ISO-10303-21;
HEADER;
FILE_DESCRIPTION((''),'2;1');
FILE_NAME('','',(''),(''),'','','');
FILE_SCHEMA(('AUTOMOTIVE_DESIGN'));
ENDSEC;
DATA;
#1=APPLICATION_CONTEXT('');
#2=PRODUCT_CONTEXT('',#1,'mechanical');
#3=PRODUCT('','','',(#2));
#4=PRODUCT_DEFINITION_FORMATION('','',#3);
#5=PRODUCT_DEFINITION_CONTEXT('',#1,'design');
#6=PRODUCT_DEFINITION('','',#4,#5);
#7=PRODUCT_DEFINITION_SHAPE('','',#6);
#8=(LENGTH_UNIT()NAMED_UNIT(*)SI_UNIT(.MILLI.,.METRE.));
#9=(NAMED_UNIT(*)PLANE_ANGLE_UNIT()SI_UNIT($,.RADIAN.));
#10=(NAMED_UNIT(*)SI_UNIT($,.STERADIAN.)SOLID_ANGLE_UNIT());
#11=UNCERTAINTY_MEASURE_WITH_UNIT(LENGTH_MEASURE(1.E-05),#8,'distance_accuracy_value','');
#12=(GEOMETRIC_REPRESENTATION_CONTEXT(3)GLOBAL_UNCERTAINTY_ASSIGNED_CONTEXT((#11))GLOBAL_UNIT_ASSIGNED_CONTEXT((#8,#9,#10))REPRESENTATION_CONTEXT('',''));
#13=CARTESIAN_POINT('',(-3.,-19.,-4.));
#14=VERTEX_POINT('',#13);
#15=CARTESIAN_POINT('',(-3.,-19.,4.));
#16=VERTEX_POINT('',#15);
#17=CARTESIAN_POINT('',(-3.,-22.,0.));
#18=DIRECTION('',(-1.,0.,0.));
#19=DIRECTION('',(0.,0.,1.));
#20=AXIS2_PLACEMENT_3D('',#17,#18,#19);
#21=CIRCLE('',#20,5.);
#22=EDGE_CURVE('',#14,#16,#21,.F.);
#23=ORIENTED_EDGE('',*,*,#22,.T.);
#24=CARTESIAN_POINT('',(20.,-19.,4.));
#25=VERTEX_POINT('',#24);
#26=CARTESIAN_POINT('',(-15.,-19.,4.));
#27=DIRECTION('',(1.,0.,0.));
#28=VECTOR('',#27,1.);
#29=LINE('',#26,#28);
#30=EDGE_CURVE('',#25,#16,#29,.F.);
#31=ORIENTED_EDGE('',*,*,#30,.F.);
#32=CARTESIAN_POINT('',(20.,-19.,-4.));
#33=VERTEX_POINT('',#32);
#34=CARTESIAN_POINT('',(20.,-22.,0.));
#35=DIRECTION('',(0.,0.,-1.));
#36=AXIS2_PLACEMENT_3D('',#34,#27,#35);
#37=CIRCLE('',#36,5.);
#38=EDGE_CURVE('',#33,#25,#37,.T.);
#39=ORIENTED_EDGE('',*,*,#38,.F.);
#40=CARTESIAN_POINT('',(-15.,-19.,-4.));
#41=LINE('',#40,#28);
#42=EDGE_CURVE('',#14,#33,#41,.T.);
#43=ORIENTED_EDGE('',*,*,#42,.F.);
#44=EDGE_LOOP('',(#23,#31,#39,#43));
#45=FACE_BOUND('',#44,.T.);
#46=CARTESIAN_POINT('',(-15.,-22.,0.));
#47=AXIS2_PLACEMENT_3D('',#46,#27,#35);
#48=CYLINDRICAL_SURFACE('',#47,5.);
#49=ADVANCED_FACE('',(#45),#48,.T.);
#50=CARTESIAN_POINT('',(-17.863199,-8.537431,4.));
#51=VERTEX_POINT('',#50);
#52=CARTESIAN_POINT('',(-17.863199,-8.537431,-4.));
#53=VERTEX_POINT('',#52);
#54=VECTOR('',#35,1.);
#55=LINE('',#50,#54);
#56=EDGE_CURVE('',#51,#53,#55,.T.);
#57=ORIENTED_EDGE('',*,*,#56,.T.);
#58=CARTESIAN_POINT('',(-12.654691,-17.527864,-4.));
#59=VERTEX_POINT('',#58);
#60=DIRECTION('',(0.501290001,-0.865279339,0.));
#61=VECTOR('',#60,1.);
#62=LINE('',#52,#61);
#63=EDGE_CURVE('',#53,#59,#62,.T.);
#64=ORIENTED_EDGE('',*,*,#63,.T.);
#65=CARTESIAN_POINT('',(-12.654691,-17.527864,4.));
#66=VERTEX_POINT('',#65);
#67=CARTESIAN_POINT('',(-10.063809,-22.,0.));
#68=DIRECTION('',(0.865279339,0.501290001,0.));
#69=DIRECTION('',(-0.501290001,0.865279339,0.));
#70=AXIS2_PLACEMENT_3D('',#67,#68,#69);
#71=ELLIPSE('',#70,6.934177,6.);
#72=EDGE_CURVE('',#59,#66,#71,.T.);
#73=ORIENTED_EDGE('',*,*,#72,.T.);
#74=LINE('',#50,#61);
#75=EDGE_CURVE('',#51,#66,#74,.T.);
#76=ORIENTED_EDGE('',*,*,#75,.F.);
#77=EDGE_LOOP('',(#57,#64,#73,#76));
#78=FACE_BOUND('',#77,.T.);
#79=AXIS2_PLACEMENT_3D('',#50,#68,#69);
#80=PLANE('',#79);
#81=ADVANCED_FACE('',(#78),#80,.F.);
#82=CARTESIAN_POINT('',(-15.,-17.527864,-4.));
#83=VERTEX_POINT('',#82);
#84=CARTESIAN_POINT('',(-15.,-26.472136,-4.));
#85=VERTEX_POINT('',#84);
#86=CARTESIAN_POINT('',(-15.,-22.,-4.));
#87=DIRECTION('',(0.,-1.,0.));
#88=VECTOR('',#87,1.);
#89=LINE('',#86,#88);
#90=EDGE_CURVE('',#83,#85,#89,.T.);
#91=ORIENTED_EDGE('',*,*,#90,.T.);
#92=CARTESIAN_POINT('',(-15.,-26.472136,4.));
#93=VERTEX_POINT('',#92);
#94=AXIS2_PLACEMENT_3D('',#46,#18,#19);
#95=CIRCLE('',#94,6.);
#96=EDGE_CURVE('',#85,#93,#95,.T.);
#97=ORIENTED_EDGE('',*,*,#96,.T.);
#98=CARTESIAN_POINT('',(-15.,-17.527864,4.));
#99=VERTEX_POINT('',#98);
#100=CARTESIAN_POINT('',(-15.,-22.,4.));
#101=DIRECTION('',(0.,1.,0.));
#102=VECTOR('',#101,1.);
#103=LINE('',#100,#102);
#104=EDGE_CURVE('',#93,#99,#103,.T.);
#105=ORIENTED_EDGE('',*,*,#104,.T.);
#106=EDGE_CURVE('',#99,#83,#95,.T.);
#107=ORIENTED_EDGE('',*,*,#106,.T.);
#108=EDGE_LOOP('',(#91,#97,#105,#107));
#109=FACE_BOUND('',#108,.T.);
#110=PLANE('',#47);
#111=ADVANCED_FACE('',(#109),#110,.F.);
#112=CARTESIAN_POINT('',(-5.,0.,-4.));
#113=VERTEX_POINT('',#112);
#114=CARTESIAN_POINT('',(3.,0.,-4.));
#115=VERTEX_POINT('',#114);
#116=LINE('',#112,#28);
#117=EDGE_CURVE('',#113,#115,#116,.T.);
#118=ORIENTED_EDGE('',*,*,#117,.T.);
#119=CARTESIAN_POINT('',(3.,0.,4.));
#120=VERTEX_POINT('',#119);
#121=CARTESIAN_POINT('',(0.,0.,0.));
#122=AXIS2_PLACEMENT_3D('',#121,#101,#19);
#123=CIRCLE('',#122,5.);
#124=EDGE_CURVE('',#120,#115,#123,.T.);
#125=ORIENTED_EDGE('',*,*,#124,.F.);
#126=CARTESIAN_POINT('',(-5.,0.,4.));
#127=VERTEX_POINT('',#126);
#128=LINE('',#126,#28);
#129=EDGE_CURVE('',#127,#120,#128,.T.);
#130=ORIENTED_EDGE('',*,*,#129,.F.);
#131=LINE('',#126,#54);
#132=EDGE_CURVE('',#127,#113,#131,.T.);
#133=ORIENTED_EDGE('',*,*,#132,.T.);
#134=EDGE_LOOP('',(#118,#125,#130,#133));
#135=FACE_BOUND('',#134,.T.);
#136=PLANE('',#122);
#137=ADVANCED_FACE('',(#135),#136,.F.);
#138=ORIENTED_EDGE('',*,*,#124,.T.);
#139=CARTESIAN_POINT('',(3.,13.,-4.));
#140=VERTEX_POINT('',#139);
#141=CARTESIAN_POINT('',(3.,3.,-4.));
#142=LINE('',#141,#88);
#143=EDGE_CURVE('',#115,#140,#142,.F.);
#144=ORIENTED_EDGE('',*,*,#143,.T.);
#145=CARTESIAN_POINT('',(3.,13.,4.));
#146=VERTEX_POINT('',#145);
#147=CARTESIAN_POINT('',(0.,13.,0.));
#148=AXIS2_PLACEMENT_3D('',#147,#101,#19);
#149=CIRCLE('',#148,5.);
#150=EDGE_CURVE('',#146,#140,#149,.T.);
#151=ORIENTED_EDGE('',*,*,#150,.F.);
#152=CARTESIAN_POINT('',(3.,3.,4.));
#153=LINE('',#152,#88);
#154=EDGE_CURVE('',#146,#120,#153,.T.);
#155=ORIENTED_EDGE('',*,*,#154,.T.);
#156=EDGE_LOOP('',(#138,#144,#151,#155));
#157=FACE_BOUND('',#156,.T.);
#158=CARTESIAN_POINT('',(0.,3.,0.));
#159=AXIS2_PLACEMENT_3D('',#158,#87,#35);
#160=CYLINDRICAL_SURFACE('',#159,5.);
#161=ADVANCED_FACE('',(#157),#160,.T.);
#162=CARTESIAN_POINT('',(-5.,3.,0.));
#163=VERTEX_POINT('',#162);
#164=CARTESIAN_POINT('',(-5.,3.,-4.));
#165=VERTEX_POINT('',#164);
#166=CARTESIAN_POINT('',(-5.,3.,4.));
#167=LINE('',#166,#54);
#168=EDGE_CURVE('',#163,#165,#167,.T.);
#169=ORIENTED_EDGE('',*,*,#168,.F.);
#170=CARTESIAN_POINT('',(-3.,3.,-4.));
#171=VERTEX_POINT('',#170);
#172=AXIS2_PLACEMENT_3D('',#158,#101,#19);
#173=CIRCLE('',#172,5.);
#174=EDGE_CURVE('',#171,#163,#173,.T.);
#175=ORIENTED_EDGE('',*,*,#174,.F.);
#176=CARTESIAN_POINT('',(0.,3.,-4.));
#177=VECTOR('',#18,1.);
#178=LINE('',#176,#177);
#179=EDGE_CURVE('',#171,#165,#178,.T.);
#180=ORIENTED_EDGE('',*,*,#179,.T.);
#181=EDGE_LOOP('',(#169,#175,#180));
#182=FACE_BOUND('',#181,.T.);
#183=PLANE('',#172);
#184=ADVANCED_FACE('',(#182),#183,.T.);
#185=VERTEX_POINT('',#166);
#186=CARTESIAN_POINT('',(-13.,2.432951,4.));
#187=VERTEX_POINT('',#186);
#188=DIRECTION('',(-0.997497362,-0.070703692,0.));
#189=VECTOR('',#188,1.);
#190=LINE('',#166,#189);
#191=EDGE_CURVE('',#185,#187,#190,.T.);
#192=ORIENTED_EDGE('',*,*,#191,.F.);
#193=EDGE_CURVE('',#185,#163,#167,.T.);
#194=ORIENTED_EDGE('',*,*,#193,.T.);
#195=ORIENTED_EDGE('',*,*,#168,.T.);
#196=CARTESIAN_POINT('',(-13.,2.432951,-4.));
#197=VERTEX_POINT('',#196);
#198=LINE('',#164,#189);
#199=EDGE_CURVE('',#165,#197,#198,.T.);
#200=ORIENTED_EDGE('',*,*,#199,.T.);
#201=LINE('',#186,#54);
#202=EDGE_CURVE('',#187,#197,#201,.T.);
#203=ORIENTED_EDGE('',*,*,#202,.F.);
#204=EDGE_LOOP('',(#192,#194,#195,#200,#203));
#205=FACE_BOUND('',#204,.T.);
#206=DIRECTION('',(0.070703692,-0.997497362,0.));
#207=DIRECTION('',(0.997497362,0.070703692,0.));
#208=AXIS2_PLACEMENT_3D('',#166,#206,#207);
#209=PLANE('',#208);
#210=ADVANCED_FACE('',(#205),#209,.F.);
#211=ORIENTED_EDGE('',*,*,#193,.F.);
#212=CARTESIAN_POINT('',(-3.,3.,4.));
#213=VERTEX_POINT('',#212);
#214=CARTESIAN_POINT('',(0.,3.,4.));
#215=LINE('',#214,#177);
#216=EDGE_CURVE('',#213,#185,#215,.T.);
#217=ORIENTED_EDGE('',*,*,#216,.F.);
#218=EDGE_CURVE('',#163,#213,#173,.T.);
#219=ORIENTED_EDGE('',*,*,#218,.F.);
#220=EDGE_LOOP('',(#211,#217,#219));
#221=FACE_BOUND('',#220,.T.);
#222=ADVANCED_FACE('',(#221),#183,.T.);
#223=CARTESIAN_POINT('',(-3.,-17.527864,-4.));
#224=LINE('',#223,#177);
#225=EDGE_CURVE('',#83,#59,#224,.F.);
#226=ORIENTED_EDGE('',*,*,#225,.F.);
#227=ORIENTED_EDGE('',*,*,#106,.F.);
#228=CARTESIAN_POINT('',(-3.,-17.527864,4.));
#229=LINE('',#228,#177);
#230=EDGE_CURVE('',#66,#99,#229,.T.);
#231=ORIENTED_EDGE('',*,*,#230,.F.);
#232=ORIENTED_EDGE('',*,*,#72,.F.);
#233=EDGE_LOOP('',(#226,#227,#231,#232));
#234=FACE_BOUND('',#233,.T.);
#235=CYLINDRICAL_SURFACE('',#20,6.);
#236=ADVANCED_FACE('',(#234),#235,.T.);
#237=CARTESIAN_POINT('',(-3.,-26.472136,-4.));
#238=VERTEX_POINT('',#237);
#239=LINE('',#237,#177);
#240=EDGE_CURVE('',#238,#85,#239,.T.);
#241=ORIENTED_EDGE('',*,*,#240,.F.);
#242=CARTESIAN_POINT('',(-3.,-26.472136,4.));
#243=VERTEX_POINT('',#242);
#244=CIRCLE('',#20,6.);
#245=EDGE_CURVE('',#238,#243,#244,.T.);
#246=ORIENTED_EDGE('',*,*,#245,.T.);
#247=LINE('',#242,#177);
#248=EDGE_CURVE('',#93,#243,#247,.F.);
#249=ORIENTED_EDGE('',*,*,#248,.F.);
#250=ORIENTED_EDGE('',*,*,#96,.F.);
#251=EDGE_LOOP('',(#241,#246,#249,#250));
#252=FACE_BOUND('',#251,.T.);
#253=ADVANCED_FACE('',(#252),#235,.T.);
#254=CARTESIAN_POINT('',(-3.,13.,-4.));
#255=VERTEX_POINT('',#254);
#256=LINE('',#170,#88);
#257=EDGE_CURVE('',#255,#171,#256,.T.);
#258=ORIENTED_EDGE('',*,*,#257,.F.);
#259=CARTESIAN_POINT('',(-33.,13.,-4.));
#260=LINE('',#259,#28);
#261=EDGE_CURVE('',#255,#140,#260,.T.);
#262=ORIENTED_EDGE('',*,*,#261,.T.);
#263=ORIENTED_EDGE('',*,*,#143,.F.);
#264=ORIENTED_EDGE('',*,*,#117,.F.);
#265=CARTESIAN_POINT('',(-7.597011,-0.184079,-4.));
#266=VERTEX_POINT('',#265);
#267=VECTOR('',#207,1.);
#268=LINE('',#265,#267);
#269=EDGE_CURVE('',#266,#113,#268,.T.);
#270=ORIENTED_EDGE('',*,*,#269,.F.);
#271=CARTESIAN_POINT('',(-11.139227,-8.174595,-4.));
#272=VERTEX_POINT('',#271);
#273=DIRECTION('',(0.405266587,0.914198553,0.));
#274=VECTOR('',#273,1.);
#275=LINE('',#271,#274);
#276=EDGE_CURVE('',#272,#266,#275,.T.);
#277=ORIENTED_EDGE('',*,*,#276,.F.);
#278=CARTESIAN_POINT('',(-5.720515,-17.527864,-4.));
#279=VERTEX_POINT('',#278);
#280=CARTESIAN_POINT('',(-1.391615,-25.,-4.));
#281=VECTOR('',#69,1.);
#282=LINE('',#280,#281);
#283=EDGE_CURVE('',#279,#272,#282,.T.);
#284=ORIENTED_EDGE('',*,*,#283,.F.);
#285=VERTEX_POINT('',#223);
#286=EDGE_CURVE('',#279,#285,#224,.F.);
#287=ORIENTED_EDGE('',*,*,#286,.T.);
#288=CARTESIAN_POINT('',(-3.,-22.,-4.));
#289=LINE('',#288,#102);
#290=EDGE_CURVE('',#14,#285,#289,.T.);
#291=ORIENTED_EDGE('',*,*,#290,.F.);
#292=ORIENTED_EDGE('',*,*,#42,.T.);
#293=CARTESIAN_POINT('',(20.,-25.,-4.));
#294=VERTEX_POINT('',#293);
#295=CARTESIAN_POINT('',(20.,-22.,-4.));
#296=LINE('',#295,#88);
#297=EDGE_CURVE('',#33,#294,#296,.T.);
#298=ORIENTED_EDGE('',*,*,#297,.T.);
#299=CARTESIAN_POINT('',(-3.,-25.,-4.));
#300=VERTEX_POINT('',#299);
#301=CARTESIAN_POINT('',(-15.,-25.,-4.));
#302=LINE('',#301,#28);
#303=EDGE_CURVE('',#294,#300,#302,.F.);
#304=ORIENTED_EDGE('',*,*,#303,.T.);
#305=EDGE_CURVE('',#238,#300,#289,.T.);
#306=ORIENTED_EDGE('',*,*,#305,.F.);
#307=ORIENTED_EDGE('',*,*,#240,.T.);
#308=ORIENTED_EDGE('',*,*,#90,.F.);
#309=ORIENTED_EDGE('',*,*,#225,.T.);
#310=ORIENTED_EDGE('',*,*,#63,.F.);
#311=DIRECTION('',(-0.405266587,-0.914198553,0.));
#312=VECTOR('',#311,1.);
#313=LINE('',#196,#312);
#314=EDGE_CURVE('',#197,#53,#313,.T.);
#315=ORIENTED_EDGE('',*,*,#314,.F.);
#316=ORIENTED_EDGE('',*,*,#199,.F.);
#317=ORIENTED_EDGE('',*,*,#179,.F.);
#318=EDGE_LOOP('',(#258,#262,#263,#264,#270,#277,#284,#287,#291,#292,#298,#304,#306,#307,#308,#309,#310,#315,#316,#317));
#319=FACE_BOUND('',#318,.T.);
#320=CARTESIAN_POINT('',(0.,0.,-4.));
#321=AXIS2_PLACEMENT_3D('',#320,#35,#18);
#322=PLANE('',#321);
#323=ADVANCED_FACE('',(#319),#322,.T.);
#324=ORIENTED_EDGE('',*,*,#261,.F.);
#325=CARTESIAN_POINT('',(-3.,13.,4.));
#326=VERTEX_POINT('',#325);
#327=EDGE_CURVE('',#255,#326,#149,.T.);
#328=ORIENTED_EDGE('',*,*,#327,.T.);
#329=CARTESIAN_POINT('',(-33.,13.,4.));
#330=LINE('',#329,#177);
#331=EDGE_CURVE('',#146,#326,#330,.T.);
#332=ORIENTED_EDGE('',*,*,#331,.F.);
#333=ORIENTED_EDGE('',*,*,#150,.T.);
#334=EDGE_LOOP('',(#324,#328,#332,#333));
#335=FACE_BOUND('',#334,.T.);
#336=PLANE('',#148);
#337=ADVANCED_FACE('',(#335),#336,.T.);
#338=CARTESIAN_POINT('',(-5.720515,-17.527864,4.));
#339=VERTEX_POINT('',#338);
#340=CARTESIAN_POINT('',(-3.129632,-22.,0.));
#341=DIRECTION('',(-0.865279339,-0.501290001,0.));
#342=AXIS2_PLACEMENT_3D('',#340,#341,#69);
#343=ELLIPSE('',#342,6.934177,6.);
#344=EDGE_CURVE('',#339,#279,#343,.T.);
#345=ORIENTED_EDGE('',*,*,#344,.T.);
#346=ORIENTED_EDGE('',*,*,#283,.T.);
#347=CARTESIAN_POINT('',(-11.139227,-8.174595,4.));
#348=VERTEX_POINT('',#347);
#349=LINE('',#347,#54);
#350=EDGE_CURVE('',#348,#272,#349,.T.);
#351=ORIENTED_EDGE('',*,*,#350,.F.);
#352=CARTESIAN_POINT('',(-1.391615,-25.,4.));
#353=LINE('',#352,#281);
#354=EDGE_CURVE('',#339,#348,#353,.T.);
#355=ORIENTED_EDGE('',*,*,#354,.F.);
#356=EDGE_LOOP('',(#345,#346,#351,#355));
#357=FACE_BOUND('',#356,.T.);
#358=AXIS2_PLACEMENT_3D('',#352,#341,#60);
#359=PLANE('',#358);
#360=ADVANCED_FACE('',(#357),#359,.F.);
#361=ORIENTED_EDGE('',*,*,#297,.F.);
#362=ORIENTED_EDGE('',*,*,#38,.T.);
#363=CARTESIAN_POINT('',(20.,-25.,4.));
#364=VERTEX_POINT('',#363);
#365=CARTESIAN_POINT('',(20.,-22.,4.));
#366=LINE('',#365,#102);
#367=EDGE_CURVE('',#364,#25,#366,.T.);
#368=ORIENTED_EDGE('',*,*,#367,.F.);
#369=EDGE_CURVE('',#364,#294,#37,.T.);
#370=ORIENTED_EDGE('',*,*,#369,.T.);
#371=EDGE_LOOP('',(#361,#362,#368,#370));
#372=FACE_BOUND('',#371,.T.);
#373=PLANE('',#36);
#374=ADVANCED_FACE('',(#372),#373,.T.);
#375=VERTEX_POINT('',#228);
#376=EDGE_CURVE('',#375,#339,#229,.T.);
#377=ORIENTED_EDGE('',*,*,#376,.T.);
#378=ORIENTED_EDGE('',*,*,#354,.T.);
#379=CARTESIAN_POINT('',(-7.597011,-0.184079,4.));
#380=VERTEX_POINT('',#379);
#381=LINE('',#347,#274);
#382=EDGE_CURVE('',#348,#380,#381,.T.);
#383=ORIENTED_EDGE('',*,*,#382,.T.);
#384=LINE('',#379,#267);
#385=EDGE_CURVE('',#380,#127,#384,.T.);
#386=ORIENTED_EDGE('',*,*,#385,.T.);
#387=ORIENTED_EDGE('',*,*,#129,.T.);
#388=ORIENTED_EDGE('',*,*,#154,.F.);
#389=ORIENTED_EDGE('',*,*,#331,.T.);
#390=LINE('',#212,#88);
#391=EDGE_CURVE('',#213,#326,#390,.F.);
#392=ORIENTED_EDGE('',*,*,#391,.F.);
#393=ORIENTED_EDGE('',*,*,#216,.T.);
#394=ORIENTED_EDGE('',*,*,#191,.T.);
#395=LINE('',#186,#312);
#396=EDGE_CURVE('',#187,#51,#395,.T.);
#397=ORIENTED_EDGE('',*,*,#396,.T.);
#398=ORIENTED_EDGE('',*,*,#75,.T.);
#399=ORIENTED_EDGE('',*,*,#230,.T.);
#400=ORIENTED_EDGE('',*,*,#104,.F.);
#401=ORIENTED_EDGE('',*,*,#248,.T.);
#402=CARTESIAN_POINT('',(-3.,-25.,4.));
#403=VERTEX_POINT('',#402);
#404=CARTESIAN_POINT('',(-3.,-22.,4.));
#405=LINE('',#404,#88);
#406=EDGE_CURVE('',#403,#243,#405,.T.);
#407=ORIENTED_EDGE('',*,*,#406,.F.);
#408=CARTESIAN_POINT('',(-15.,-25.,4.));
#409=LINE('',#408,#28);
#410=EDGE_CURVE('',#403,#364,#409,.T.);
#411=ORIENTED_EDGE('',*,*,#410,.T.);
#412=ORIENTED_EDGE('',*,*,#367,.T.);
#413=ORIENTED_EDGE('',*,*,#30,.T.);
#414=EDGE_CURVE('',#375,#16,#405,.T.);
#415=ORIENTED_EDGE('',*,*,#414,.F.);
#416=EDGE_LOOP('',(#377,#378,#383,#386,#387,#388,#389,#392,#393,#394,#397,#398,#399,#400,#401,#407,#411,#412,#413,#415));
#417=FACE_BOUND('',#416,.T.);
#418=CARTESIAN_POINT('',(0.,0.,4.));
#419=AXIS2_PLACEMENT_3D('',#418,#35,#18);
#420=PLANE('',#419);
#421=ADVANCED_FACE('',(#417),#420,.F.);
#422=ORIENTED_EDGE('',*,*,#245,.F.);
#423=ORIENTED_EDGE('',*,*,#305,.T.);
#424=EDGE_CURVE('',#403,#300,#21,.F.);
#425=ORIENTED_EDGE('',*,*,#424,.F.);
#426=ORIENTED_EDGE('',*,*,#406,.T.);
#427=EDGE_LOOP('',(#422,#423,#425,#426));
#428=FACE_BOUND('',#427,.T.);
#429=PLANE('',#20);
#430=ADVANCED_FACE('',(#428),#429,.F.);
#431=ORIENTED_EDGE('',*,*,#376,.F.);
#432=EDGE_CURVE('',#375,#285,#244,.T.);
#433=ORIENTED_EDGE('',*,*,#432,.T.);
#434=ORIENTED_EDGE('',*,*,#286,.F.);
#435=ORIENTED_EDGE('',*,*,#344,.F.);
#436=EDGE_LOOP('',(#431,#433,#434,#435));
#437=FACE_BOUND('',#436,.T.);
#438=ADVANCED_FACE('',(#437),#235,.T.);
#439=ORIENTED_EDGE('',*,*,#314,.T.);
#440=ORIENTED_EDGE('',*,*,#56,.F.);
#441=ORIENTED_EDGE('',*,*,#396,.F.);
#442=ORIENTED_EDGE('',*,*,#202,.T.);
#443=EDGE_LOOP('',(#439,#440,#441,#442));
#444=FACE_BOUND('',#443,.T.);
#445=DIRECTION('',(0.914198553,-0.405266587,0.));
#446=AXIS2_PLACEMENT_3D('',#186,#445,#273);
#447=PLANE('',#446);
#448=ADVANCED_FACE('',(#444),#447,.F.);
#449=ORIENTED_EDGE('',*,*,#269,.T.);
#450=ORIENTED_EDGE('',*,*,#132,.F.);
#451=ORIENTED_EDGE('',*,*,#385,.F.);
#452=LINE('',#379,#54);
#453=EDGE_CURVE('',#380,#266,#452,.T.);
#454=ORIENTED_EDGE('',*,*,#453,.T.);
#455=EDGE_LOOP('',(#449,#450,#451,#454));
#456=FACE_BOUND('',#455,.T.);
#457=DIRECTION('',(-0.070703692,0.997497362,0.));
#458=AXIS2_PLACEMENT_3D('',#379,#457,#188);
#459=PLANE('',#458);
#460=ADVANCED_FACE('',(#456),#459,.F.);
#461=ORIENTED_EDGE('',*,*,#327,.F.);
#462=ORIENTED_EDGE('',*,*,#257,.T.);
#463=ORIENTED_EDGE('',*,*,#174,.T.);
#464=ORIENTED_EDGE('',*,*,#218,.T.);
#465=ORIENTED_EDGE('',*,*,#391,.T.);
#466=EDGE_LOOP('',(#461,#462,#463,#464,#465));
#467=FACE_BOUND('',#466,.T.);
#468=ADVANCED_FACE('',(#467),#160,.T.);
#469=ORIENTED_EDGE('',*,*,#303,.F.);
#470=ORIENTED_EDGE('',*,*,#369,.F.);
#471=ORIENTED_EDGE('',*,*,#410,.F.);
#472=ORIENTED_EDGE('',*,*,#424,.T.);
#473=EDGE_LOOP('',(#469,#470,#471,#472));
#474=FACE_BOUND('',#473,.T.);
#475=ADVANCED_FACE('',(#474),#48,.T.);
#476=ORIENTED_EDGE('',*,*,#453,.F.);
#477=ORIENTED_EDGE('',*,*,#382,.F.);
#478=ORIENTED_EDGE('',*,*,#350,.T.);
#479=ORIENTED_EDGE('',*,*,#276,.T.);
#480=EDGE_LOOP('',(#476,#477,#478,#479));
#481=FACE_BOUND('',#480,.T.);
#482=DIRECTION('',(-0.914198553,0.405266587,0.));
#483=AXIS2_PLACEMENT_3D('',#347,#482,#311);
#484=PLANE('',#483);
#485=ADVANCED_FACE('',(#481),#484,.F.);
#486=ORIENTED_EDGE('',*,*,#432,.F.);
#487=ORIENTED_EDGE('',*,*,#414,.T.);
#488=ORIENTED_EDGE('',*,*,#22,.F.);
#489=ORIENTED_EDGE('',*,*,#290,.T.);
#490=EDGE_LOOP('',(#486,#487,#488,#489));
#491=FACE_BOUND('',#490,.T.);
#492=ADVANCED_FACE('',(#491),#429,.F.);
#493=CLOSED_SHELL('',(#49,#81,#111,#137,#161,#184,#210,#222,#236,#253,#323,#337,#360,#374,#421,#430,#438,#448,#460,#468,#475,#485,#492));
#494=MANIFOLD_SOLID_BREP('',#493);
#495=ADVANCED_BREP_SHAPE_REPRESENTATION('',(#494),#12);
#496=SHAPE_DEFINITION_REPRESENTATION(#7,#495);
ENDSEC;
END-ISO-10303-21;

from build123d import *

# Parameters (mm, degrees)
CROQUIS1_R              = 5
SALIENTE_EXTRUIR1_DEPTH = 3
SALIENTE_EXTRUIR2_DEPTH = 4
CROQUIS4_R              = 5
SALIENTE_EXTRUIR3_DEPTH = 15
CROQUIS6_R              = 5
SALIENTE_EXTRUIR5_DEPTH = 20
CROQUIS3_R              = 5
SALIENTE_EXTRUIR7_DEPTH = 10
CROQUIS12_R             = 6
SALIENTE_EXTRUIR8_DEPTH = 12
CROQUIS11_W             = 60
CROQUIS11_H             = 5
CORTAR_EXTRUIR4_DEPTH   = 42


with BuildPart() as part:
    # Croquis1 → Saliente-Extruir1 (new body)
    with BuildSketch(Plane(origin=(0, 0, 0), x_dir=(1, 0, 0), z_dir=(0, 1, 0))):
        Circle(CROQUIS1_R)
    extrude(amount=SALIENTE_EXTRUIR1_DEPTH)

    # Croquis2 → Saliente-Extruir2 (add, symmetric)
    with BuildSketch(Plane.XY):
        Polygon((-5, 3), (-13, 2.43295135), (-17.863199041, -8.537431282), (-8.325792195, -25), (-1.391615301, -25), (-11.139227196, -8.174595228), (-7.597010616, -0.184078921), (-5, 0), (0, 0), (0, 3), align=None)
    extrude(amount=SALIENTE_EXTRUIR2_DEPTH, both=True)

    # Croquis4 → Saliente-Extruir3 (add)
    with BuildSketch(Plane(origin=(0, 0, 0), x_dir=(0, 0, -1), z_dir=(1, 0, 0))):
        with Locations((0, -22)):
            Circle(CROQUIS4_R)
    extrude(amount=-SALIENTE_EXTRUIR3_DEPTH)

    # Croquis6 → Saliente-Extruir5 (add)
    with BuildSketch(Plane(origin=(0, 0, 0), x_dir=(0, 0, -1), z_dir=(1, 0, 0))):
        with Locations((0, -22)):
            Circle(CROQUIS6_R)
    extrude(amount=SALIENTE_EXTRUIR5_DEPTH)

    # Croquis3 → Saliente-Extruir7 (add)
    with BuildSketch(Plane(origin=(0, 3, 0), x_dir=(1, 0, 0), z_dir=(0, 1, 0))):
        Circle(CROQUIS3_R)
    extrude(amount=SALIENTE_EXTRUIR7_DEPTH)

    # Croquis12 → Saliente-Extruir8 (add)
    with BuildSketch(Plane.ZY.offset(15)):
        with Locations((0, -22)):
            Circle(CROQUIS12_R)
    extrude(amount=-SALIENTE_EXTRUIR8_DEPTH)

    # Croquis11 → Cortar-Extruir4 (cut, through all)
    with BuildSketch(Plane(origin=(0, 13, 0), x_dir=(1, 0, 0), z_dir=(0, 1, 0))):
        with Locations((-3, 6.5)):
            Rectangle(CROQUIS11_W, CROQUIS11_H)
        with Locations((-3, -6.5)):
            Rectangle(CROQUIS11_W, CROQUIS11_H)
    extrude(amount=-CORTAR_EXTRUIR4_DEPTH, mode=Mode.SUBTRACT)


solid = part.part
